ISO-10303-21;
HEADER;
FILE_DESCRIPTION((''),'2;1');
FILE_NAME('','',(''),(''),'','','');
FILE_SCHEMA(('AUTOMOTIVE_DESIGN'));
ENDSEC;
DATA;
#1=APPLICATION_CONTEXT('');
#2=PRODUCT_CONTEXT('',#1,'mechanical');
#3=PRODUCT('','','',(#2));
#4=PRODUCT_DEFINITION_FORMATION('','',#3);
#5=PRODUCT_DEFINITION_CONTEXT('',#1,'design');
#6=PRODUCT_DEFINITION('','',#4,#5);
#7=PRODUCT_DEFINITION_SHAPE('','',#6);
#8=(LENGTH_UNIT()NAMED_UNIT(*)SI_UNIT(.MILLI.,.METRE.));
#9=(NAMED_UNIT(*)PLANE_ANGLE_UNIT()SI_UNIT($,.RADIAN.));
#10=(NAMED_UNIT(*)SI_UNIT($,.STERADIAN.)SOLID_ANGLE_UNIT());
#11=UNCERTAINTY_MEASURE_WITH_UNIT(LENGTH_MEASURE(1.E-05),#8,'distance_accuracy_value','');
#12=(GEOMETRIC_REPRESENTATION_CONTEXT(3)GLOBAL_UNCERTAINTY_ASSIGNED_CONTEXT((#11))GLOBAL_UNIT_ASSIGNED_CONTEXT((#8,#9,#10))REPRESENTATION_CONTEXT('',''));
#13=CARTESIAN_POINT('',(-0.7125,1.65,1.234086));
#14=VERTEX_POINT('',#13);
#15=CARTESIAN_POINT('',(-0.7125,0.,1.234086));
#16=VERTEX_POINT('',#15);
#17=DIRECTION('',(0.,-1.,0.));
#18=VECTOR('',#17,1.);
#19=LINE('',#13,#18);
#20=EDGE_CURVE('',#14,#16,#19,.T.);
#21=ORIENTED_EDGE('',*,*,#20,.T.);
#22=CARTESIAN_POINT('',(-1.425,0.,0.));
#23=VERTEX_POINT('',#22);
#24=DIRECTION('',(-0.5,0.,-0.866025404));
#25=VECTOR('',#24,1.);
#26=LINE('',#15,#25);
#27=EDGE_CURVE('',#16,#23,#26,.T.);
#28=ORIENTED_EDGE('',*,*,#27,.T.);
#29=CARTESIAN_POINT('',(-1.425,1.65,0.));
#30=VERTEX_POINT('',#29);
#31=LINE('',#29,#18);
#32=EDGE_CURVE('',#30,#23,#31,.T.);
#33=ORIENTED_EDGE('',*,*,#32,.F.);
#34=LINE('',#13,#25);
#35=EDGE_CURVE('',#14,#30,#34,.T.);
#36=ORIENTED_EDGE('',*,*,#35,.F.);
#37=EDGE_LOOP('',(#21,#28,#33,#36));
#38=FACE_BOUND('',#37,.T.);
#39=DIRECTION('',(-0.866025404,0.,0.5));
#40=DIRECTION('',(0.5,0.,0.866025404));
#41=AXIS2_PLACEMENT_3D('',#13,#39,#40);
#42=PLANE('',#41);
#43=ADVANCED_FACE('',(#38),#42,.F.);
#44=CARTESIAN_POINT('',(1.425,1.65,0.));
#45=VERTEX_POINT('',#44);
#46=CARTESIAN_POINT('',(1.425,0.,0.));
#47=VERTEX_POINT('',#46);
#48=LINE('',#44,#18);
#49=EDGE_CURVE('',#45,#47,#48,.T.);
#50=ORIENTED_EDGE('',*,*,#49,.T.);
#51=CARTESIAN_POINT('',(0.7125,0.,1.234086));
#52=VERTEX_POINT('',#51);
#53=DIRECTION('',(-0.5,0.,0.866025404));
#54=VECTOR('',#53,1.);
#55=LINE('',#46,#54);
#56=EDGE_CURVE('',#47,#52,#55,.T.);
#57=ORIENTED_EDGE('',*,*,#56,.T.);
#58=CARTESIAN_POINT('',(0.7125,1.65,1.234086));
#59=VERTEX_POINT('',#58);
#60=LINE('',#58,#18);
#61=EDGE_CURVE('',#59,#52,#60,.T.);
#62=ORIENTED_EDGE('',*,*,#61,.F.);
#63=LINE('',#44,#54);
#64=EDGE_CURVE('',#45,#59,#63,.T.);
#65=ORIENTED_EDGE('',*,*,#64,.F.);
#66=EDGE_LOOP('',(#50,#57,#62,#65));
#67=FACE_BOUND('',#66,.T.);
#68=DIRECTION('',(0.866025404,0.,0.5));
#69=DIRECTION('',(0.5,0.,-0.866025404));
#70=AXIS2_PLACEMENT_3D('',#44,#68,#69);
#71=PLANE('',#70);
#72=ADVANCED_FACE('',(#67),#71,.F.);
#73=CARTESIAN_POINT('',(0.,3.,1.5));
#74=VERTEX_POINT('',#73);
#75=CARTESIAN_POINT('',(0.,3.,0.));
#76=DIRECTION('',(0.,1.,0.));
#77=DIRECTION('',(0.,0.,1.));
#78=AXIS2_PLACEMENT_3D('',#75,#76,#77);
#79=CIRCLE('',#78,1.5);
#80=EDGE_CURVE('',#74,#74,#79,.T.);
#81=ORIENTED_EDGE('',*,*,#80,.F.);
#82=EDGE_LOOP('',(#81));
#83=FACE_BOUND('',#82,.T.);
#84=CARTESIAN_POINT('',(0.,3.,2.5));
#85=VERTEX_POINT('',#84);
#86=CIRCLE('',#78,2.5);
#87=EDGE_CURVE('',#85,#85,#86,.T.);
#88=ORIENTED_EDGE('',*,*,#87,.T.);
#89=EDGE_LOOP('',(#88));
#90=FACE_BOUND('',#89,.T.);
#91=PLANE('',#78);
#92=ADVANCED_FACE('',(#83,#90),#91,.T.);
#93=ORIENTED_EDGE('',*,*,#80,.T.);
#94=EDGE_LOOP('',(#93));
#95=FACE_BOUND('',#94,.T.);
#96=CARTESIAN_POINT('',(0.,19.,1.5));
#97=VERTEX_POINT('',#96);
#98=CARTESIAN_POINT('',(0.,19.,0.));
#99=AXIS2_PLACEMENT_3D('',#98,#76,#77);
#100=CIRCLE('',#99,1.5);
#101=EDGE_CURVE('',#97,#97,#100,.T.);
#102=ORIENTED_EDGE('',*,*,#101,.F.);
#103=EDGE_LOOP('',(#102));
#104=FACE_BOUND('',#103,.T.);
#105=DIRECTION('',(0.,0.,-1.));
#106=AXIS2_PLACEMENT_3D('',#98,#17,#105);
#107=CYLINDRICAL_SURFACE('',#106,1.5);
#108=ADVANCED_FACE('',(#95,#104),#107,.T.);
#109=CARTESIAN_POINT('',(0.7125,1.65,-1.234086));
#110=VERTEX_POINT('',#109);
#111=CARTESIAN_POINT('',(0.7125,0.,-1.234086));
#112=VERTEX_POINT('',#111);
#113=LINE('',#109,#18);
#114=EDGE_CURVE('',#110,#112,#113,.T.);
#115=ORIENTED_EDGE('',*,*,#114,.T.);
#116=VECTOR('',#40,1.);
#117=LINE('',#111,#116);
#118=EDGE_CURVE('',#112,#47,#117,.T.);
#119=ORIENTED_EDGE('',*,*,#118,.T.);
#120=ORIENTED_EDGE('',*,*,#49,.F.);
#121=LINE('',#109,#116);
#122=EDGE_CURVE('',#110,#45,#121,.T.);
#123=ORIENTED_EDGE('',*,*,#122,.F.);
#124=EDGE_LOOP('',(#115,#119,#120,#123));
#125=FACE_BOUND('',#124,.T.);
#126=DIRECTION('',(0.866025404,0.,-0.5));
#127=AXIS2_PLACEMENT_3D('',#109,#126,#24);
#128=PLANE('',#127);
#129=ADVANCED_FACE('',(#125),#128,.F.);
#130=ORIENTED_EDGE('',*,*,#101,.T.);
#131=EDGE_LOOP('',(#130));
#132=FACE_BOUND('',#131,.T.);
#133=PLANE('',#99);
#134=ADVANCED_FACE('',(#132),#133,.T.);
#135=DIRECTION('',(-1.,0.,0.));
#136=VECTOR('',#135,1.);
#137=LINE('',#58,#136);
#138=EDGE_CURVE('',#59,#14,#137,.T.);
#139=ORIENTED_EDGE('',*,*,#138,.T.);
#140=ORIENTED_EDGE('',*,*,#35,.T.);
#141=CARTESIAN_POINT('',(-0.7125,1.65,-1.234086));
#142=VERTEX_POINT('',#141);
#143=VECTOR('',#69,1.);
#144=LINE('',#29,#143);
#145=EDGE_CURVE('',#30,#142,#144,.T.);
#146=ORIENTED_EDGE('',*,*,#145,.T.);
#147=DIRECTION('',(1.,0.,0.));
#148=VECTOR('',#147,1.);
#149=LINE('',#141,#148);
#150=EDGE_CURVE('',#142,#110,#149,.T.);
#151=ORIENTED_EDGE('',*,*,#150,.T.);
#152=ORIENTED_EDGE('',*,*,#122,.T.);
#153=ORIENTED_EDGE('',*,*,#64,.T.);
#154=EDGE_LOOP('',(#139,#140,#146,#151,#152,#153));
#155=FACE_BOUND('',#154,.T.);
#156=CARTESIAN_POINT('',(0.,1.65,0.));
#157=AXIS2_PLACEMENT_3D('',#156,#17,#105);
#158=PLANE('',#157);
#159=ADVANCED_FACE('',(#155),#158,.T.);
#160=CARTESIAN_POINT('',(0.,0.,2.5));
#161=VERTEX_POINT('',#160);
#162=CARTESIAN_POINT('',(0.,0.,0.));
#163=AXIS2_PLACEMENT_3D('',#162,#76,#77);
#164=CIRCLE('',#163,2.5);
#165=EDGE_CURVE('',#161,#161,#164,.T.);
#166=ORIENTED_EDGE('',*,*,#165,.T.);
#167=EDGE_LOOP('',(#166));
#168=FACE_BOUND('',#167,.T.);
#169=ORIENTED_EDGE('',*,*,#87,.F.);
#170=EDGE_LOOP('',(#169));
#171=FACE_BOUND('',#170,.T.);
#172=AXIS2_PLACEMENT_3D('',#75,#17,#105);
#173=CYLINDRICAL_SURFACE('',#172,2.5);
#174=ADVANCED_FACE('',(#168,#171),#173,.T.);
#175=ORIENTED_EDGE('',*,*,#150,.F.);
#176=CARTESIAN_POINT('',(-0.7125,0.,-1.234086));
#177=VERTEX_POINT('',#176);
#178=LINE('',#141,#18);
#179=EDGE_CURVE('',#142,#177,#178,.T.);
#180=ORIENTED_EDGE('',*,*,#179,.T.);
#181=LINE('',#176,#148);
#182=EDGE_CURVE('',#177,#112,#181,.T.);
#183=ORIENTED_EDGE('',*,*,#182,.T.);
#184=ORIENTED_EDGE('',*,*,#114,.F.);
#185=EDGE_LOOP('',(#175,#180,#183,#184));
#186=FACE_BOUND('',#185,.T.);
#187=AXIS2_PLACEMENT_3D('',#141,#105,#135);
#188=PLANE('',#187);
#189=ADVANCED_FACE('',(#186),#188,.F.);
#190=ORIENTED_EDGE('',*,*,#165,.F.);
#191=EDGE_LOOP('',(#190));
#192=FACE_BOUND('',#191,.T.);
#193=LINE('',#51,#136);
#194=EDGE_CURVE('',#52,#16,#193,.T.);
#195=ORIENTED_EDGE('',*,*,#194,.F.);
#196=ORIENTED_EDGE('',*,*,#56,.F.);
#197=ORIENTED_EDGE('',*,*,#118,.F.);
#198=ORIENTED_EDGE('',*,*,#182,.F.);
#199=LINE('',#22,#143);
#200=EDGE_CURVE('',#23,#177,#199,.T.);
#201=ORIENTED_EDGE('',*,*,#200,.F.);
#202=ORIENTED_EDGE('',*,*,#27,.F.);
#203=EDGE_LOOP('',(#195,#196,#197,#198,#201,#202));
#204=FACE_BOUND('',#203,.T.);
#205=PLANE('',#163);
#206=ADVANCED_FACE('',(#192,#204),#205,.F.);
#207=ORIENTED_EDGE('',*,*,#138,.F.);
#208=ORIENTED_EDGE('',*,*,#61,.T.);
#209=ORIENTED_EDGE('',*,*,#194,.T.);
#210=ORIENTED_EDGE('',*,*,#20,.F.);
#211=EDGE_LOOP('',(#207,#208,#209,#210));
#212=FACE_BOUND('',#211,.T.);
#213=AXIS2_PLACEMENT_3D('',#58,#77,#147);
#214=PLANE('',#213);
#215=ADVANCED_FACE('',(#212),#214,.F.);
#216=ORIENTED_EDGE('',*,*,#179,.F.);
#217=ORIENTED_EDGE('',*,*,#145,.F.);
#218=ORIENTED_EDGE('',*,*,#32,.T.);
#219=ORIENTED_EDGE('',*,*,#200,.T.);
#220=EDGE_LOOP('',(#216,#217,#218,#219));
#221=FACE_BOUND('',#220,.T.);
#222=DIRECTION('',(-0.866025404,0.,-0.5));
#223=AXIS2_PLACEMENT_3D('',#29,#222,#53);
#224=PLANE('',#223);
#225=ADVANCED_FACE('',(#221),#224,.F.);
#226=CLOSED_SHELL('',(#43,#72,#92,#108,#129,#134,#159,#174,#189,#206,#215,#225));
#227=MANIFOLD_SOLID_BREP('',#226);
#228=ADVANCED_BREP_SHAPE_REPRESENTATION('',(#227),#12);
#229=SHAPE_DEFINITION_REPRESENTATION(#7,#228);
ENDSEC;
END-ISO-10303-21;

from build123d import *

# Parameters (mm, degrees)
SKETCH_1_R          = 2.5
EXTRUDE_1_DEPTH     = 3
SKETCH_2_R          = 1.5
EXTRUDE_2_DEPTH     = 16
CUT_EXTRUDE_1_DEPTH = 1.65


with BuildPart() as part:
    # 草图1 → 凸台-拉伸1 (new body)
    with BuildSketch(Plane(origin=(0, 0, 0), x_dir=(1, 0, 0), z_dir=(0, 1, 0))):
        Circle(SKETCH_1_R)
    extrude(amount=EXTRUDE_1_DEPTH)

    # 草图2 → 凸台-拉伸2 (add)
    with BuildSketch(Plane(origin=(0, 3, 0), x_dir=(1, 0, 0), z_dir=(0, 1, 0))):
        Circle(SKETCH_2_R)
    extrude(amount=EXTRUDE_2_DEPTH)

    # 草图3 → 切除-拉伸1 (cut)
    with BuildSketch(Plane.XZ):
        Polygon((1.425, 0), (0.7125, 1.2340862), (-0.7125, 1.2340862), (-1.425, 0), (-0.7125, -1.2340862), (0.7125, -1.2340862), align=None)
    extrude(amount=-CUT_EXTRUDE_1_DEPTH, mode=Mode.SUBTRACT)


solid = part.part
